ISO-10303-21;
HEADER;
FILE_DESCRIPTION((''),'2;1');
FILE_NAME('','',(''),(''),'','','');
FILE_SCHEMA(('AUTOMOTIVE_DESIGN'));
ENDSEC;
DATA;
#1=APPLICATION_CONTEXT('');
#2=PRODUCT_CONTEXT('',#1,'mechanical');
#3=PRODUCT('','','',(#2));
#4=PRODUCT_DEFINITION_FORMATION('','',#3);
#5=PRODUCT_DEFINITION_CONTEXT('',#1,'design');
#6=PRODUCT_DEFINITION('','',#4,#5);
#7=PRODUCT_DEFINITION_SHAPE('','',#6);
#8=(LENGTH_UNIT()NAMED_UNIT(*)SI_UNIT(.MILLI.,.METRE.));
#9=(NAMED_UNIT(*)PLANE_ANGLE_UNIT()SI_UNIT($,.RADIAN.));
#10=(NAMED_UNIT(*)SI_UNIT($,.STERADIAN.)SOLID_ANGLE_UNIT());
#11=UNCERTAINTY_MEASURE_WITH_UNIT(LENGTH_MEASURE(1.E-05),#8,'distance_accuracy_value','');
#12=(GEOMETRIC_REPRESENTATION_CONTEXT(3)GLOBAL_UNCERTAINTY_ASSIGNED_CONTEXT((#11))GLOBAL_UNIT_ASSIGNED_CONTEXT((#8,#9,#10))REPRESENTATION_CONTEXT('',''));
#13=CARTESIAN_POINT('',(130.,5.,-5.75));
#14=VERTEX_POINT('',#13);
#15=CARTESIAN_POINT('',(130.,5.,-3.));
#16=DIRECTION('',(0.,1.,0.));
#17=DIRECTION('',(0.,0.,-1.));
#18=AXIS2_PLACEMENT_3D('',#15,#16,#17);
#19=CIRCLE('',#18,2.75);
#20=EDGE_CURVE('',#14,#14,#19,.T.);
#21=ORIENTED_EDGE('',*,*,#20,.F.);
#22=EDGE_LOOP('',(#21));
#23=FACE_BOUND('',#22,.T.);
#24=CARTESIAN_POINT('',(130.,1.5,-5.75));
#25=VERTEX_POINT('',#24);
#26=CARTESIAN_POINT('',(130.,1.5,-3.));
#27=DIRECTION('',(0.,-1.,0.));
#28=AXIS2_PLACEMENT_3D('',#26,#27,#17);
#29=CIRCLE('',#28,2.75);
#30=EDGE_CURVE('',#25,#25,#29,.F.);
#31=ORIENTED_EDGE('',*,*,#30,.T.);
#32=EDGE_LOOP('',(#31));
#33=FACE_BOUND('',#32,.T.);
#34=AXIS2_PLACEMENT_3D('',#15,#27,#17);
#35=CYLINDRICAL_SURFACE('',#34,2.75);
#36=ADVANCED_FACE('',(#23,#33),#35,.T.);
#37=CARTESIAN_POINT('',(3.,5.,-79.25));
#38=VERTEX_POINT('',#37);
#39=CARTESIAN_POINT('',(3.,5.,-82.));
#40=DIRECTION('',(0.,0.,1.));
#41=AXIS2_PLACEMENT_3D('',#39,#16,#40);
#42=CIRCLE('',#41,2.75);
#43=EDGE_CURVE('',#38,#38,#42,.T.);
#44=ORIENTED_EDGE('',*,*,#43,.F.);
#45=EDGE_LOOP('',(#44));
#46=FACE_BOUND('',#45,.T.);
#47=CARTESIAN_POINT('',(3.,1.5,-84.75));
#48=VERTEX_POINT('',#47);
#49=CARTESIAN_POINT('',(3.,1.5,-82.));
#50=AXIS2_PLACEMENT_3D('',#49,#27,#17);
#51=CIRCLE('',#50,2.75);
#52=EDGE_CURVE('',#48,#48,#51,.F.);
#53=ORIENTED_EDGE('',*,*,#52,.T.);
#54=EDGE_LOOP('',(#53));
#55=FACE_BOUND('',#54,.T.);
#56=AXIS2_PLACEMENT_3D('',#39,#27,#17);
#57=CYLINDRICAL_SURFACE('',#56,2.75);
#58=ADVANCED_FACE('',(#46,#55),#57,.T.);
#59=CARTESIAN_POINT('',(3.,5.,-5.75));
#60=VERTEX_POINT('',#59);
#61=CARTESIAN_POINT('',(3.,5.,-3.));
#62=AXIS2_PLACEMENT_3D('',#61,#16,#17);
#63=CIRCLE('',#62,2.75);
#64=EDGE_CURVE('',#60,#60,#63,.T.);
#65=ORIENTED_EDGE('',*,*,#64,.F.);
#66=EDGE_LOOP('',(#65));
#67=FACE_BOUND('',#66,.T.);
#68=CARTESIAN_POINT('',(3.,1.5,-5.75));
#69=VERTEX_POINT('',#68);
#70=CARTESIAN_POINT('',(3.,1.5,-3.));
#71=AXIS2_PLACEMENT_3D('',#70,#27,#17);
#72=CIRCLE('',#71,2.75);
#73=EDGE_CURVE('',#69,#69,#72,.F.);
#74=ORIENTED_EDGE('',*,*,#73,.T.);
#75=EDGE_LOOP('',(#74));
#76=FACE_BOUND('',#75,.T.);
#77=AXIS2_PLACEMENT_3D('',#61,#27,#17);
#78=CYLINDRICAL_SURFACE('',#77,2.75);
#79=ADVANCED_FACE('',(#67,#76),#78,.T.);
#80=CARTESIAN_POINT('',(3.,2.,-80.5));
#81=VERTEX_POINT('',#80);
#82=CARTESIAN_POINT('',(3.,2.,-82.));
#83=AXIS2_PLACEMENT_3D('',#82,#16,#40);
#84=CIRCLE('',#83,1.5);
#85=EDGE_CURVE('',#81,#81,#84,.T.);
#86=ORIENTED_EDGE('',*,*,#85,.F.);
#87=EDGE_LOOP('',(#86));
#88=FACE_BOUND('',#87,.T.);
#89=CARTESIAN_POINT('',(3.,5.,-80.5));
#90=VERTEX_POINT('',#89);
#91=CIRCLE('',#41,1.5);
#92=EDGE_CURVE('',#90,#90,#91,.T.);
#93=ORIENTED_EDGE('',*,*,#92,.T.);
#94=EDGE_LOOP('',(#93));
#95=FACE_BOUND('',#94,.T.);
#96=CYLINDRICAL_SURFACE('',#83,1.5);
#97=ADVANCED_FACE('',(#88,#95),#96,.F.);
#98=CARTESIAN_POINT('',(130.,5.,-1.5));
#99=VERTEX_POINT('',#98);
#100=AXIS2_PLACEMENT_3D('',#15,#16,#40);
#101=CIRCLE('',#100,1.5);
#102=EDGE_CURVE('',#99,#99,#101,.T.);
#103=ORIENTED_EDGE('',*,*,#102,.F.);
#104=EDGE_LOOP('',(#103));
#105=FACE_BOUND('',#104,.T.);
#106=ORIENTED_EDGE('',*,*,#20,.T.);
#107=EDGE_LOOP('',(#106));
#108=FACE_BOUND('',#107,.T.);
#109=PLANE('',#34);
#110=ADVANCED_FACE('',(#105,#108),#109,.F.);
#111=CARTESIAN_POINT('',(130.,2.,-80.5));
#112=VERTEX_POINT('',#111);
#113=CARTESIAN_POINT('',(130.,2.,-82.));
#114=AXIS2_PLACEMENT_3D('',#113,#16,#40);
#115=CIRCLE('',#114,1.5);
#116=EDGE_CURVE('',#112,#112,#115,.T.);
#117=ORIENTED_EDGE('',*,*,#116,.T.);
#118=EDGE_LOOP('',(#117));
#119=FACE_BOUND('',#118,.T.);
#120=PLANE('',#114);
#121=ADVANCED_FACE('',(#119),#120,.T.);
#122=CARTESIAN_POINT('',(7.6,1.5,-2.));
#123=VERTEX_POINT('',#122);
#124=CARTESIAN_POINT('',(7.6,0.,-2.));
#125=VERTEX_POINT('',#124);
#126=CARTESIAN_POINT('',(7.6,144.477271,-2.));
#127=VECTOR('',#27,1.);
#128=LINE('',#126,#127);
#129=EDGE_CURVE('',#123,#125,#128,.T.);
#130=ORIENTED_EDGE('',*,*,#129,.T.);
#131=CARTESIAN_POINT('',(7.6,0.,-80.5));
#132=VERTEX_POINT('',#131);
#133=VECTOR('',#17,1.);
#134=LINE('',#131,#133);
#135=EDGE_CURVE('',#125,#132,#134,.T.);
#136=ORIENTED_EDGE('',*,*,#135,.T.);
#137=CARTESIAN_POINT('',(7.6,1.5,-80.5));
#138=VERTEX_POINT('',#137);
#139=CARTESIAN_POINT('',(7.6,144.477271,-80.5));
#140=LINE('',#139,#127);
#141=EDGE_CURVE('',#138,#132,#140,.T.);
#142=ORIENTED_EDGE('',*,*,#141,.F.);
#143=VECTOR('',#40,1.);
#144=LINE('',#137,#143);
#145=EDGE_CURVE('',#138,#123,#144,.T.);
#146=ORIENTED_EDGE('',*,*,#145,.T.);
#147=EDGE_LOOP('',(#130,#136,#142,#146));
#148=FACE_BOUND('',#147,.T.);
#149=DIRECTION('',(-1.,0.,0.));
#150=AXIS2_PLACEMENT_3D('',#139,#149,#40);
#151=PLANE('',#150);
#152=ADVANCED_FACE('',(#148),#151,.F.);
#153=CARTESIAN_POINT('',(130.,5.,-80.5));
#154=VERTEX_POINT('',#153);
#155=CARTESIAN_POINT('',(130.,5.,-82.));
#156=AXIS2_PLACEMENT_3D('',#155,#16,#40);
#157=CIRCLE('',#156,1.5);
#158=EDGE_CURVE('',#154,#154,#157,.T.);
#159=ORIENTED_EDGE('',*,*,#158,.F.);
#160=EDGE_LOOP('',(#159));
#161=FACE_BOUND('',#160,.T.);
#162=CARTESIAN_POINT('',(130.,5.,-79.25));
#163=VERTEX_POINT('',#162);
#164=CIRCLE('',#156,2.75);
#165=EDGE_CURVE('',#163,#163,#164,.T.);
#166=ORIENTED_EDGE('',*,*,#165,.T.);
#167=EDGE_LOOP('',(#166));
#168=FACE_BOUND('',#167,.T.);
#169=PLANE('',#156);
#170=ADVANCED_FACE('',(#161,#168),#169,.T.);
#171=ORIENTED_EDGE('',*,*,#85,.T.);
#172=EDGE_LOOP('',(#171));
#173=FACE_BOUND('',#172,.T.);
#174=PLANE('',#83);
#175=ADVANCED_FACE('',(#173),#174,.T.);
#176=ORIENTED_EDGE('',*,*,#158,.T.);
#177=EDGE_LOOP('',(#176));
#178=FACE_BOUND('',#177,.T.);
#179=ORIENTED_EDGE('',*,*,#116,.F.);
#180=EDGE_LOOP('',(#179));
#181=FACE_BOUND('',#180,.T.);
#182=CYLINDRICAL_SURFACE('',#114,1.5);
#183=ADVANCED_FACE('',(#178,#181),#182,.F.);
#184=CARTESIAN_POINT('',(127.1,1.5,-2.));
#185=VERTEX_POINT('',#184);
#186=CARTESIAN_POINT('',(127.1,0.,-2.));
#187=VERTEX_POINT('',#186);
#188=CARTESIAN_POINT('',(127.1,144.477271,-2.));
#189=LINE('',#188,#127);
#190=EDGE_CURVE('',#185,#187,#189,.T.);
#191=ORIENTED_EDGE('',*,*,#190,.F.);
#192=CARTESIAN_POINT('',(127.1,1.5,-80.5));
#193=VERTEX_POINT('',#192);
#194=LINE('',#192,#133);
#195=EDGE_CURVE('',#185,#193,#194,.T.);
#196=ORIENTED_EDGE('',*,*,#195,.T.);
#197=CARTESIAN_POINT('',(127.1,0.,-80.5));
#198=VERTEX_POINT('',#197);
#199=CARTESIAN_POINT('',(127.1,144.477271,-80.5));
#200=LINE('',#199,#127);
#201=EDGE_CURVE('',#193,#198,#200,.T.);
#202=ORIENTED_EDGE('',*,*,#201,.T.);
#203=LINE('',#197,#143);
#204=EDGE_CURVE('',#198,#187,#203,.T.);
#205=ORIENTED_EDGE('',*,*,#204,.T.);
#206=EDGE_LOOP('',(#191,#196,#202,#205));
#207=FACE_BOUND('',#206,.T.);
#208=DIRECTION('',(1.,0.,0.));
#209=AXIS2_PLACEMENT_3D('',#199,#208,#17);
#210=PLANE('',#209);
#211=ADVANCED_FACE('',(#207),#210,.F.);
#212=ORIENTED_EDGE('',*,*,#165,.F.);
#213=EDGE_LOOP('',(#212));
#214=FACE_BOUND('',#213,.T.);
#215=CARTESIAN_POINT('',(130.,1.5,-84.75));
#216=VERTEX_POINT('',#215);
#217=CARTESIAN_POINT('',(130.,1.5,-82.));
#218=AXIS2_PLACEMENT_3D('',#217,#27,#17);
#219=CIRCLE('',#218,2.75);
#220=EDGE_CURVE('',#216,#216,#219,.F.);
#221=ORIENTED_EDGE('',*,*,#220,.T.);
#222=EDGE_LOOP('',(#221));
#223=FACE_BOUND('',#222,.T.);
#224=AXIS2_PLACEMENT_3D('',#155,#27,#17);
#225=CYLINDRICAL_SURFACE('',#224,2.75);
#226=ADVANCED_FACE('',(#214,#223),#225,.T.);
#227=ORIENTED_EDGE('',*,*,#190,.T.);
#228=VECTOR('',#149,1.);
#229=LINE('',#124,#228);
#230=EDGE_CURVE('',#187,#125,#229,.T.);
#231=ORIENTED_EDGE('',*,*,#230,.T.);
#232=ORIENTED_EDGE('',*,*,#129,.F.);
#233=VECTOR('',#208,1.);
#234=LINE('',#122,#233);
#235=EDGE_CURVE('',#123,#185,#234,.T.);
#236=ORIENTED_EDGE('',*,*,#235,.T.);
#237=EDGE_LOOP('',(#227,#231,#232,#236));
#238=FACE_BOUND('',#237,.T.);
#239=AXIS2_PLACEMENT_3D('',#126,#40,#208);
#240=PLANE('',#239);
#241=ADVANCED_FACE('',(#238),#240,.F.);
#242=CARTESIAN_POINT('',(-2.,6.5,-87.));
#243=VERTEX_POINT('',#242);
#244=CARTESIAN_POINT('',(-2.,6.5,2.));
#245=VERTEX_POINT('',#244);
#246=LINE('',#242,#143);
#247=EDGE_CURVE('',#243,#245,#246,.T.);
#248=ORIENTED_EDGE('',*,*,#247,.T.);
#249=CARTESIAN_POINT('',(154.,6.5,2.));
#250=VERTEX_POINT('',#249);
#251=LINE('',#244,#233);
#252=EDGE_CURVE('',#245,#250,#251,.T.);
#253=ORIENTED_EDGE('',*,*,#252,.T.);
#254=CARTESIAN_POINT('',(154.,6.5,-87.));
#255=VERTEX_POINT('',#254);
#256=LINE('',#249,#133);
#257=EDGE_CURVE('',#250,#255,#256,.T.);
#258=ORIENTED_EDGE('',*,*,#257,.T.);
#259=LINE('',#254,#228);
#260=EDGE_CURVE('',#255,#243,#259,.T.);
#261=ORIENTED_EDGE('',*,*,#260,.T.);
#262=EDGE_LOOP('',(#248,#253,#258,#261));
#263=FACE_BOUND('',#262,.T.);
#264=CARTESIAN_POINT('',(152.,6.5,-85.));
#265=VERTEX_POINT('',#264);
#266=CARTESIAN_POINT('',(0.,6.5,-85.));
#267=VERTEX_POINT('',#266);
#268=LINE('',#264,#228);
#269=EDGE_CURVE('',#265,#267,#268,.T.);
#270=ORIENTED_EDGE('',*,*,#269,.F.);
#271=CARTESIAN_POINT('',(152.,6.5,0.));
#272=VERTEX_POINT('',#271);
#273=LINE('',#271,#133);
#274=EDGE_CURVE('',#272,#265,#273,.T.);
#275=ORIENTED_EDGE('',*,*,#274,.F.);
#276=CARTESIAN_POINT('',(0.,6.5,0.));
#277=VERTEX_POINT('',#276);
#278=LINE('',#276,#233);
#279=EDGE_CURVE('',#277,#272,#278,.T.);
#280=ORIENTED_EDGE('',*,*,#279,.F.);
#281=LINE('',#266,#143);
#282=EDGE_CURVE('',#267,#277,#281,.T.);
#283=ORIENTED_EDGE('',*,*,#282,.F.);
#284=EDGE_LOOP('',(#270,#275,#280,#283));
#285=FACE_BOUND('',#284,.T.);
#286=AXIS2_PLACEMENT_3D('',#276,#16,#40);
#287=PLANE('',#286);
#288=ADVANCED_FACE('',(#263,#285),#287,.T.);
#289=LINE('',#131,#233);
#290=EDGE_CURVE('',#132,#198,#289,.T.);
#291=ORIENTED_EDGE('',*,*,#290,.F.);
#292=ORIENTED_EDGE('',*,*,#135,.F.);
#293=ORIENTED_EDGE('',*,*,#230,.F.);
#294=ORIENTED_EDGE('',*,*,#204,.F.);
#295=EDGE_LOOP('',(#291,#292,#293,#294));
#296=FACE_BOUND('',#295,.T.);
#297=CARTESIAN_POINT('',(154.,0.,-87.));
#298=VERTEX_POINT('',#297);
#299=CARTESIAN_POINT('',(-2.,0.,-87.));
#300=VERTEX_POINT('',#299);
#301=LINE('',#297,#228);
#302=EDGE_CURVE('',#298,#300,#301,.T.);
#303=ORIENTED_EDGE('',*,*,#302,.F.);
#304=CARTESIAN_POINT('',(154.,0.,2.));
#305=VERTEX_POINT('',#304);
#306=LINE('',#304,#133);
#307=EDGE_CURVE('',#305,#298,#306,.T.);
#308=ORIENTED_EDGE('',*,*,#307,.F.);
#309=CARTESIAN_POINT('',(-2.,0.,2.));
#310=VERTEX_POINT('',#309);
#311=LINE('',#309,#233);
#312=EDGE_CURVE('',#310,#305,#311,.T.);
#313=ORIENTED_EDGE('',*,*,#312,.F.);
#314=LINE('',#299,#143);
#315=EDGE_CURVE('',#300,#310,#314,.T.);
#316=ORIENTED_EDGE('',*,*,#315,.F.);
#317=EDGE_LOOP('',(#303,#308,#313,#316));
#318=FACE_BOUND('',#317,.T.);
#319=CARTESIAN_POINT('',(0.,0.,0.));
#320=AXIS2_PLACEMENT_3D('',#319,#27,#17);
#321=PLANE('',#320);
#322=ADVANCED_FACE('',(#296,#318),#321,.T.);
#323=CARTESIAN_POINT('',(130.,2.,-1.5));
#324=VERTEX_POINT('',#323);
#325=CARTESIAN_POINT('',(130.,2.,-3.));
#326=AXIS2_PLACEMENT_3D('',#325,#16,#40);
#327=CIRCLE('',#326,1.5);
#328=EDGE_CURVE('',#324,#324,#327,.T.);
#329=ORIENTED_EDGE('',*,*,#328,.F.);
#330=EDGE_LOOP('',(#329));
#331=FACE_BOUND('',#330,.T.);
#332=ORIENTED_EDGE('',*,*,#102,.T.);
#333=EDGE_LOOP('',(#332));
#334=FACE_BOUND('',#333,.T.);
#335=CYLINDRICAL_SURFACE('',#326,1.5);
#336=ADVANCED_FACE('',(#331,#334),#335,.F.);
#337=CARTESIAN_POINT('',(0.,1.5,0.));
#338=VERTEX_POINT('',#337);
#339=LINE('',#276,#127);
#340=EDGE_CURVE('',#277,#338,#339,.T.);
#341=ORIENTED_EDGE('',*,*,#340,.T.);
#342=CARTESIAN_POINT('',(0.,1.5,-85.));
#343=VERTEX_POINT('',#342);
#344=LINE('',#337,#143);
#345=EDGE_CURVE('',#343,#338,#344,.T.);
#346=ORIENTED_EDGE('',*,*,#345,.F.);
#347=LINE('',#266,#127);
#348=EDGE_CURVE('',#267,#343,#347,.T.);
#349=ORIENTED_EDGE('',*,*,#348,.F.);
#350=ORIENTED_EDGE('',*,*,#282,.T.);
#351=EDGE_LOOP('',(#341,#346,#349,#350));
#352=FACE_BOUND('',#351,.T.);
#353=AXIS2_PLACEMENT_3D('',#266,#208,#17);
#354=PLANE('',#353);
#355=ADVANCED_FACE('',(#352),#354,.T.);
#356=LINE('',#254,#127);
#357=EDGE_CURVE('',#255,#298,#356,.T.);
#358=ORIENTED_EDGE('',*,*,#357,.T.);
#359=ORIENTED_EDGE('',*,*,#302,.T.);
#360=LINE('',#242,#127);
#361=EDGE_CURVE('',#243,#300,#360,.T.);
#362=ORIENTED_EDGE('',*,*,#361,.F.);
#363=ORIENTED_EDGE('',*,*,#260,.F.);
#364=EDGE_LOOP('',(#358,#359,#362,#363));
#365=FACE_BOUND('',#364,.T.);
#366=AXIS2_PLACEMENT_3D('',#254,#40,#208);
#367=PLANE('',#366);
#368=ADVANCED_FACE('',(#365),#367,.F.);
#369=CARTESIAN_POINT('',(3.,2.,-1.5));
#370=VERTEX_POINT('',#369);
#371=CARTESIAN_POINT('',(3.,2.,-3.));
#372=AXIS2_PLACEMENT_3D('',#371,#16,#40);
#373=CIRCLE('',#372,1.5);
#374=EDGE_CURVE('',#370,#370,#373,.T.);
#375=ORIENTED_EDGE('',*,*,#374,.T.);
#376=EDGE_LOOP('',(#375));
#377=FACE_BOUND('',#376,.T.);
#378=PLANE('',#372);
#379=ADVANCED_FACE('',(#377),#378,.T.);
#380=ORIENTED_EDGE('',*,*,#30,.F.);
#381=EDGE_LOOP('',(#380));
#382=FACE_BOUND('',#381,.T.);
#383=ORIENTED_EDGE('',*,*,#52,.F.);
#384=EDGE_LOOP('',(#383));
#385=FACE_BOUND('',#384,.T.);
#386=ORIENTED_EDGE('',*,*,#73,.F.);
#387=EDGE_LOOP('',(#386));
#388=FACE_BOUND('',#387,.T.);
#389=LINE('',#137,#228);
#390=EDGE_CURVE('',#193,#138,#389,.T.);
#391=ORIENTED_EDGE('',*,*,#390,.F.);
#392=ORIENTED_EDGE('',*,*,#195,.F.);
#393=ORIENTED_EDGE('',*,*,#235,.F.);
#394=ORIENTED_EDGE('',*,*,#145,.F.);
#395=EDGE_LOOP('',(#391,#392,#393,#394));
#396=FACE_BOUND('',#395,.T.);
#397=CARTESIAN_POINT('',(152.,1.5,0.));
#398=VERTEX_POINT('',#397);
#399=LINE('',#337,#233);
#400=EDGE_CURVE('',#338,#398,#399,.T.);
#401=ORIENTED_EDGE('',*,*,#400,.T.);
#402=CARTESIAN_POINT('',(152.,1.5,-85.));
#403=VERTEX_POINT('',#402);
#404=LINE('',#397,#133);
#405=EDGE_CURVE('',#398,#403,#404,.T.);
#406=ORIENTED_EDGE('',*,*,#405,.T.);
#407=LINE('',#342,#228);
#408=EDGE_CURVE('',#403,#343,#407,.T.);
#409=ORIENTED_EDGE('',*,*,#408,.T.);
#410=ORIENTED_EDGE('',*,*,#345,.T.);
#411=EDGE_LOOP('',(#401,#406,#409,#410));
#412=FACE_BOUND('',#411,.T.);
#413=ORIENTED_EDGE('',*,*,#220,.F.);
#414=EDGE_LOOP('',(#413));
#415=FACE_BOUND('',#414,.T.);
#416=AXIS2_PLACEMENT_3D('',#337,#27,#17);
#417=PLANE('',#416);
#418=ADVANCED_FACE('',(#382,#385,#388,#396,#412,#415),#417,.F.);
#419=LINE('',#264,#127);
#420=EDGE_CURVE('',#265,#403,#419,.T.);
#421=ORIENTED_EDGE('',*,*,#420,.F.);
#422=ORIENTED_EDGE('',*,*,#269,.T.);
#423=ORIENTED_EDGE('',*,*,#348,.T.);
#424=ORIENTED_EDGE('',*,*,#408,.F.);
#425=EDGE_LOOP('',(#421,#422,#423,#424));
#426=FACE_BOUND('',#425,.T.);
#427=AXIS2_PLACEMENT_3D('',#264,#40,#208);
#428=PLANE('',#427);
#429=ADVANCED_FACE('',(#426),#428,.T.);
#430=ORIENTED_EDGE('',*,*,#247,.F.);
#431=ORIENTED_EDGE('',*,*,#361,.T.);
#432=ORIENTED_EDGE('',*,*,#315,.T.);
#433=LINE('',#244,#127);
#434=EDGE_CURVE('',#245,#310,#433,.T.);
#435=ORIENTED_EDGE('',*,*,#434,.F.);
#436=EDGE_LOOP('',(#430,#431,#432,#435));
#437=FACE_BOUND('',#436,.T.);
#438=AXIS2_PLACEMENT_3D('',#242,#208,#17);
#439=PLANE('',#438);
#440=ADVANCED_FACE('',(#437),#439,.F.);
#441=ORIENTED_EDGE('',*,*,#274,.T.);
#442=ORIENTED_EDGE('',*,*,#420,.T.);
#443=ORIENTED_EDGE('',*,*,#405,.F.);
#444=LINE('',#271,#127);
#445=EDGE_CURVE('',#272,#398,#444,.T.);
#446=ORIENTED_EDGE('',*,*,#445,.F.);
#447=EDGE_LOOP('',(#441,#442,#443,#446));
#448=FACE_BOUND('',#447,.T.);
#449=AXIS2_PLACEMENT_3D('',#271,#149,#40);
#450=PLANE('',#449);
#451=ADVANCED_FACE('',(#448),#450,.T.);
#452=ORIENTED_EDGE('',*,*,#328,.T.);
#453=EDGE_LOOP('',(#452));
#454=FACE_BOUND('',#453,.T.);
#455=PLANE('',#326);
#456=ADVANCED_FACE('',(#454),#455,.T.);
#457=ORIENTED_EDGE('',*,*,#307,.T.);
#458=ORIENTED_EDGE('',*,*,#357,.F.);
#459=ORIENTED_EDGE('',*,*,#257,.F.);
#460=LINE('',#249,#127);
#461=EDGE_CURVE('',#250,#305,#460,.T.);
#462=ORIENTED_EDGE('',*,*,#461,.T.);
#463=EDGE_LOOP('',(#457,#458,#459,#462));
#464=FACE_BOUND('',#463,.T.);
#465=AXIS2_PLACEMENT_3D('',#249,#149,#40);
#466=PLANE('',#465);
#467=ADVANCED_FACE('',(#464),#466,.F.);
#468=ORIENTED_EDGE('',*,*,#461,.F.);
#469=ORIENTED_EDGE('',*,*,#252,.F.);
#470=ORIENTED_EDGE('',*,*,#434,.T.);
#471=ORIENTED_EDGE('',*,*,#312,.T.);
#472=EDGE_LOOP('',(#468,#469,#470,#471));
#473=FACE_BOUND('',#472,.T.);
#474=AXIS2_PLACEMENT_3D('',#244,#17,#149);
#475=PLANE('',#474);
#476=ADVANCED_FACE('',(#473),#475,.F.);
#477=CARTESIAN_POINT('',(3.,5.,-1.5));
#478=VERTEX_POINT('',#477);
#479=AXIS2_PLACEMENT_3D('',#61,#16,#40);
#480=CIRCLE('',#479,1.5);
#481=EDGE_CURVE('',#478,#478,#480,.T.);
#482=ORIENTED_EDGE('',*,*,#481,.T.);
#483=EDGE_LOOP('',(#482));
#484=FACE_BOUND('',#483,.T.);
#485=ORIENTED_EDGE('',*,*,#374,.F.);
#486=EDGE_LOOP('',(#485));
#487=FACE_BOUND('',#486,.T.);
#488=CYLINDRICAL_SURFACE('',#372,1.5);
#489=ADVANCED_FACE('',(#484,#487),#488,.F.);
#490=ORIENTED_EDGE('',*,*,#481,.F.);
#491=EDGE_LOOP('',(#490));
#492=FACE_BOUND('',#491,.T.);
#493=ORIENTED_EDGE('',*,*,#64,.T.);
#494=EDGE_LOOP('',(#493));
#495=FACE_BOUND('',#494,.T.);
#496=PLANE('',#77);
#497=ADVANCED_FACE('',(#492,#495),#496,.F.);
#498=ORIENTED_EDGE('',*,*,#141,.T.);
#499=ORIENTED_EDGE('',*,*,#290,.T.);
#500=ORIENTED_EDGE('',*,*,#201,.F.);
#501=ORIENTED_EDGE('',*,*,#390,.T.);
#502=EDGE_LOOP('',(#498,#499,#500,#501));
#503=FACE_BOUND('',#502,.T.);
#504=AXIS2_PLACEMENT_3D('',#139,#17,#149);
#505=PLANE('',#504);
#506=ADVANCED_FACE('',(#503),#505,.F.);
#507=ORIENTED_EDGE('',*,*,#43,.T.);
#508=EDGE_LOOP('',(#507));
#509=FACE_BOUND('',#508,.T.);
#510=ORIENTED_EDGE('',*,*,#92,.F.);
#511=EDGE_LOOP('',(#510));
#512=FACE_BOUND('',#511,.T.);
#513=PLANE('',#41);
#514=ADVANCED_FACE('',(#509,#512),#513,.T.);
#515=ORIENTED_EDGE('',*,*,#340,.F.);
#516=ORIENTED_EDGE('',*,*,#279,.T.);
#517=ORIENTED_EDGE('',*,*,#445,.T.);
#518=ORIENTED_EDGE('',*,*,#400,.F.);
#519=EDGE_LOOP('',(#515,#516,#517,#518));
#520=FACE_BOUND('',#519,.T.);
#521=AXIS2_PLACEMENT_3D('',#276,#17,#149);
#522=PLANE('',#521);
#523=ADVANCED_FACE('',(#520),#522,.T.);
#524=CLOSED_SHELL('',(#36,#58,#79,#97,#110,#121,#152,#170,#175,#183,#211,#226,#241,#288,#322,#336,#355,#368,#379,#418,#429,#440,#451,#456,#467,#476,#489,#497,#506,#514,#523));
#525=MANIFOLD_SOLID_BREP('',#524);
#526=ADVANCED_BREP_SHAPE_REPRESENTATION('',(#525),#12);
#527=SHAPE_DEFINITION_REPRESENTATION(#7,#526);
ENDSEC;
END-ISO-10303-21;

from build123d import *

# Parameters (mm, degrees)
CROQUIS1_W                   = 152
CROQUIS1_H                   = 85
SALIENTE_EXTRUIR1_DEPTH      = 1.5
CROQUIS2_W                   = 156
CROQUIS2_H                   = 89
CROQUIS2_W_2                 = 152
CROQUIS2_H_2                 = 85
SALIENTE_EXTRUIR3_DEPTH      = 5
SALIENTE_EXTRUIR3_DEPTH_BACK = 1.5
CROQUIS3_R                   = 2.75
SALIENTE_EXTRUIR4_DEPTH      = 3.5
CROQUIS4_W                   = 119.5
CROQUIS4_H                   = 78.5
CORTAR_EXTRUIR1_DEPTH        = 1.5
CROQUIS5_R                   = 1.5
CORTAR_EXTRUIR2_DEPTH        = 3


with BuildPart() as part:
    # Croquis1 → Saliente-Extruir1 (new body)
    with BuildSketch(Plane(origin=(0, 0, 0), x_dir=(1, 0, 0), z_dir=(0, 1, 0))):
        with Locations((76, 42.5)):
            Rectangle(CROQUIS1_W, CROQUIS1_H)
    extrude(amount=SALIENTE_EXTRUIR1_DEPTH)

    # Croquis2 → Saliente-Extruir3 (add, two sides)
    with BuildSketch(Plane(origin=(0, 1.5, 0), x_dir=(1, 0, 0), z_dir=(0, 1, 0))) as saliente_extruir3_sk:
        with Locations((76, 42.5)):
            Rectangle(CROQUIS2_W, CROQUIS2_H)
        with Locations((76, 42.5)):
            Rectangle(CROQUIS2_W_2, CROQUIS2_H_2, mode=Mode.SUBTRACT)
    extrude(amount=SALIENTE_EXTRUIR3_DEPTH)
    extrude(saliente_extruir3_sk.sketch, amount=-SALIENTE_EXTRUIR3_DEPTH_BACK)

    # Croquis3 → Saliente-Extruir4 (add)
    with BuildSketch(Plane(origin=(0, 1.5, 0), x_dir=(1, 0, 0), z_dir=(0, 1, 0))):
        with Locations((3, 82)):
            Circle(CROQUIS3_R)
        with Locations((3, 3)):
            Circle(CROQUIS3_R)
        with Locations((130, 82)):
            Circle(CROQUIS3_R)
        with Locations((130, 3)):
            Circle(CROQUIS3_R)
    extrude(amount=SALIENTE_EXTRUIR4_DEPTH)

    # Croquis4 → Cortar-Extruir1 (cut)
    with BuildSketch(Plane.XZ):
        with Locations((67.35, -41.25)):
            Rectangle(CROQUIS4_W, CROQUIS4_H)
    extrude(amount=-CORTAR_EXTRUIR1_DEPTH, mode=Mode.SUBTRACT)

    # Croquis5 → Cortar-Extruir2 (cut)
    with BuildSketch(Plane(origin=(0, 5, 0), x_dir=(1, 0, 0), z_dir=(0, 1, 0))):
        with Locations((130, 3)):
            Circle(CROQUIS5_R)
        with Locations((3, 3)):
            Circle(CROQUIS5_R)
        with Locations((3, 82)):
            Circle(CROQUIS5_R)
        with Locations((130, 82)):
            Circle(CROQUIS5_R)
    extrude(amount=-CORTAR_EXTRUIR2_DEPTH, mode=Mode.SUBTRACT)


solid = part.part
